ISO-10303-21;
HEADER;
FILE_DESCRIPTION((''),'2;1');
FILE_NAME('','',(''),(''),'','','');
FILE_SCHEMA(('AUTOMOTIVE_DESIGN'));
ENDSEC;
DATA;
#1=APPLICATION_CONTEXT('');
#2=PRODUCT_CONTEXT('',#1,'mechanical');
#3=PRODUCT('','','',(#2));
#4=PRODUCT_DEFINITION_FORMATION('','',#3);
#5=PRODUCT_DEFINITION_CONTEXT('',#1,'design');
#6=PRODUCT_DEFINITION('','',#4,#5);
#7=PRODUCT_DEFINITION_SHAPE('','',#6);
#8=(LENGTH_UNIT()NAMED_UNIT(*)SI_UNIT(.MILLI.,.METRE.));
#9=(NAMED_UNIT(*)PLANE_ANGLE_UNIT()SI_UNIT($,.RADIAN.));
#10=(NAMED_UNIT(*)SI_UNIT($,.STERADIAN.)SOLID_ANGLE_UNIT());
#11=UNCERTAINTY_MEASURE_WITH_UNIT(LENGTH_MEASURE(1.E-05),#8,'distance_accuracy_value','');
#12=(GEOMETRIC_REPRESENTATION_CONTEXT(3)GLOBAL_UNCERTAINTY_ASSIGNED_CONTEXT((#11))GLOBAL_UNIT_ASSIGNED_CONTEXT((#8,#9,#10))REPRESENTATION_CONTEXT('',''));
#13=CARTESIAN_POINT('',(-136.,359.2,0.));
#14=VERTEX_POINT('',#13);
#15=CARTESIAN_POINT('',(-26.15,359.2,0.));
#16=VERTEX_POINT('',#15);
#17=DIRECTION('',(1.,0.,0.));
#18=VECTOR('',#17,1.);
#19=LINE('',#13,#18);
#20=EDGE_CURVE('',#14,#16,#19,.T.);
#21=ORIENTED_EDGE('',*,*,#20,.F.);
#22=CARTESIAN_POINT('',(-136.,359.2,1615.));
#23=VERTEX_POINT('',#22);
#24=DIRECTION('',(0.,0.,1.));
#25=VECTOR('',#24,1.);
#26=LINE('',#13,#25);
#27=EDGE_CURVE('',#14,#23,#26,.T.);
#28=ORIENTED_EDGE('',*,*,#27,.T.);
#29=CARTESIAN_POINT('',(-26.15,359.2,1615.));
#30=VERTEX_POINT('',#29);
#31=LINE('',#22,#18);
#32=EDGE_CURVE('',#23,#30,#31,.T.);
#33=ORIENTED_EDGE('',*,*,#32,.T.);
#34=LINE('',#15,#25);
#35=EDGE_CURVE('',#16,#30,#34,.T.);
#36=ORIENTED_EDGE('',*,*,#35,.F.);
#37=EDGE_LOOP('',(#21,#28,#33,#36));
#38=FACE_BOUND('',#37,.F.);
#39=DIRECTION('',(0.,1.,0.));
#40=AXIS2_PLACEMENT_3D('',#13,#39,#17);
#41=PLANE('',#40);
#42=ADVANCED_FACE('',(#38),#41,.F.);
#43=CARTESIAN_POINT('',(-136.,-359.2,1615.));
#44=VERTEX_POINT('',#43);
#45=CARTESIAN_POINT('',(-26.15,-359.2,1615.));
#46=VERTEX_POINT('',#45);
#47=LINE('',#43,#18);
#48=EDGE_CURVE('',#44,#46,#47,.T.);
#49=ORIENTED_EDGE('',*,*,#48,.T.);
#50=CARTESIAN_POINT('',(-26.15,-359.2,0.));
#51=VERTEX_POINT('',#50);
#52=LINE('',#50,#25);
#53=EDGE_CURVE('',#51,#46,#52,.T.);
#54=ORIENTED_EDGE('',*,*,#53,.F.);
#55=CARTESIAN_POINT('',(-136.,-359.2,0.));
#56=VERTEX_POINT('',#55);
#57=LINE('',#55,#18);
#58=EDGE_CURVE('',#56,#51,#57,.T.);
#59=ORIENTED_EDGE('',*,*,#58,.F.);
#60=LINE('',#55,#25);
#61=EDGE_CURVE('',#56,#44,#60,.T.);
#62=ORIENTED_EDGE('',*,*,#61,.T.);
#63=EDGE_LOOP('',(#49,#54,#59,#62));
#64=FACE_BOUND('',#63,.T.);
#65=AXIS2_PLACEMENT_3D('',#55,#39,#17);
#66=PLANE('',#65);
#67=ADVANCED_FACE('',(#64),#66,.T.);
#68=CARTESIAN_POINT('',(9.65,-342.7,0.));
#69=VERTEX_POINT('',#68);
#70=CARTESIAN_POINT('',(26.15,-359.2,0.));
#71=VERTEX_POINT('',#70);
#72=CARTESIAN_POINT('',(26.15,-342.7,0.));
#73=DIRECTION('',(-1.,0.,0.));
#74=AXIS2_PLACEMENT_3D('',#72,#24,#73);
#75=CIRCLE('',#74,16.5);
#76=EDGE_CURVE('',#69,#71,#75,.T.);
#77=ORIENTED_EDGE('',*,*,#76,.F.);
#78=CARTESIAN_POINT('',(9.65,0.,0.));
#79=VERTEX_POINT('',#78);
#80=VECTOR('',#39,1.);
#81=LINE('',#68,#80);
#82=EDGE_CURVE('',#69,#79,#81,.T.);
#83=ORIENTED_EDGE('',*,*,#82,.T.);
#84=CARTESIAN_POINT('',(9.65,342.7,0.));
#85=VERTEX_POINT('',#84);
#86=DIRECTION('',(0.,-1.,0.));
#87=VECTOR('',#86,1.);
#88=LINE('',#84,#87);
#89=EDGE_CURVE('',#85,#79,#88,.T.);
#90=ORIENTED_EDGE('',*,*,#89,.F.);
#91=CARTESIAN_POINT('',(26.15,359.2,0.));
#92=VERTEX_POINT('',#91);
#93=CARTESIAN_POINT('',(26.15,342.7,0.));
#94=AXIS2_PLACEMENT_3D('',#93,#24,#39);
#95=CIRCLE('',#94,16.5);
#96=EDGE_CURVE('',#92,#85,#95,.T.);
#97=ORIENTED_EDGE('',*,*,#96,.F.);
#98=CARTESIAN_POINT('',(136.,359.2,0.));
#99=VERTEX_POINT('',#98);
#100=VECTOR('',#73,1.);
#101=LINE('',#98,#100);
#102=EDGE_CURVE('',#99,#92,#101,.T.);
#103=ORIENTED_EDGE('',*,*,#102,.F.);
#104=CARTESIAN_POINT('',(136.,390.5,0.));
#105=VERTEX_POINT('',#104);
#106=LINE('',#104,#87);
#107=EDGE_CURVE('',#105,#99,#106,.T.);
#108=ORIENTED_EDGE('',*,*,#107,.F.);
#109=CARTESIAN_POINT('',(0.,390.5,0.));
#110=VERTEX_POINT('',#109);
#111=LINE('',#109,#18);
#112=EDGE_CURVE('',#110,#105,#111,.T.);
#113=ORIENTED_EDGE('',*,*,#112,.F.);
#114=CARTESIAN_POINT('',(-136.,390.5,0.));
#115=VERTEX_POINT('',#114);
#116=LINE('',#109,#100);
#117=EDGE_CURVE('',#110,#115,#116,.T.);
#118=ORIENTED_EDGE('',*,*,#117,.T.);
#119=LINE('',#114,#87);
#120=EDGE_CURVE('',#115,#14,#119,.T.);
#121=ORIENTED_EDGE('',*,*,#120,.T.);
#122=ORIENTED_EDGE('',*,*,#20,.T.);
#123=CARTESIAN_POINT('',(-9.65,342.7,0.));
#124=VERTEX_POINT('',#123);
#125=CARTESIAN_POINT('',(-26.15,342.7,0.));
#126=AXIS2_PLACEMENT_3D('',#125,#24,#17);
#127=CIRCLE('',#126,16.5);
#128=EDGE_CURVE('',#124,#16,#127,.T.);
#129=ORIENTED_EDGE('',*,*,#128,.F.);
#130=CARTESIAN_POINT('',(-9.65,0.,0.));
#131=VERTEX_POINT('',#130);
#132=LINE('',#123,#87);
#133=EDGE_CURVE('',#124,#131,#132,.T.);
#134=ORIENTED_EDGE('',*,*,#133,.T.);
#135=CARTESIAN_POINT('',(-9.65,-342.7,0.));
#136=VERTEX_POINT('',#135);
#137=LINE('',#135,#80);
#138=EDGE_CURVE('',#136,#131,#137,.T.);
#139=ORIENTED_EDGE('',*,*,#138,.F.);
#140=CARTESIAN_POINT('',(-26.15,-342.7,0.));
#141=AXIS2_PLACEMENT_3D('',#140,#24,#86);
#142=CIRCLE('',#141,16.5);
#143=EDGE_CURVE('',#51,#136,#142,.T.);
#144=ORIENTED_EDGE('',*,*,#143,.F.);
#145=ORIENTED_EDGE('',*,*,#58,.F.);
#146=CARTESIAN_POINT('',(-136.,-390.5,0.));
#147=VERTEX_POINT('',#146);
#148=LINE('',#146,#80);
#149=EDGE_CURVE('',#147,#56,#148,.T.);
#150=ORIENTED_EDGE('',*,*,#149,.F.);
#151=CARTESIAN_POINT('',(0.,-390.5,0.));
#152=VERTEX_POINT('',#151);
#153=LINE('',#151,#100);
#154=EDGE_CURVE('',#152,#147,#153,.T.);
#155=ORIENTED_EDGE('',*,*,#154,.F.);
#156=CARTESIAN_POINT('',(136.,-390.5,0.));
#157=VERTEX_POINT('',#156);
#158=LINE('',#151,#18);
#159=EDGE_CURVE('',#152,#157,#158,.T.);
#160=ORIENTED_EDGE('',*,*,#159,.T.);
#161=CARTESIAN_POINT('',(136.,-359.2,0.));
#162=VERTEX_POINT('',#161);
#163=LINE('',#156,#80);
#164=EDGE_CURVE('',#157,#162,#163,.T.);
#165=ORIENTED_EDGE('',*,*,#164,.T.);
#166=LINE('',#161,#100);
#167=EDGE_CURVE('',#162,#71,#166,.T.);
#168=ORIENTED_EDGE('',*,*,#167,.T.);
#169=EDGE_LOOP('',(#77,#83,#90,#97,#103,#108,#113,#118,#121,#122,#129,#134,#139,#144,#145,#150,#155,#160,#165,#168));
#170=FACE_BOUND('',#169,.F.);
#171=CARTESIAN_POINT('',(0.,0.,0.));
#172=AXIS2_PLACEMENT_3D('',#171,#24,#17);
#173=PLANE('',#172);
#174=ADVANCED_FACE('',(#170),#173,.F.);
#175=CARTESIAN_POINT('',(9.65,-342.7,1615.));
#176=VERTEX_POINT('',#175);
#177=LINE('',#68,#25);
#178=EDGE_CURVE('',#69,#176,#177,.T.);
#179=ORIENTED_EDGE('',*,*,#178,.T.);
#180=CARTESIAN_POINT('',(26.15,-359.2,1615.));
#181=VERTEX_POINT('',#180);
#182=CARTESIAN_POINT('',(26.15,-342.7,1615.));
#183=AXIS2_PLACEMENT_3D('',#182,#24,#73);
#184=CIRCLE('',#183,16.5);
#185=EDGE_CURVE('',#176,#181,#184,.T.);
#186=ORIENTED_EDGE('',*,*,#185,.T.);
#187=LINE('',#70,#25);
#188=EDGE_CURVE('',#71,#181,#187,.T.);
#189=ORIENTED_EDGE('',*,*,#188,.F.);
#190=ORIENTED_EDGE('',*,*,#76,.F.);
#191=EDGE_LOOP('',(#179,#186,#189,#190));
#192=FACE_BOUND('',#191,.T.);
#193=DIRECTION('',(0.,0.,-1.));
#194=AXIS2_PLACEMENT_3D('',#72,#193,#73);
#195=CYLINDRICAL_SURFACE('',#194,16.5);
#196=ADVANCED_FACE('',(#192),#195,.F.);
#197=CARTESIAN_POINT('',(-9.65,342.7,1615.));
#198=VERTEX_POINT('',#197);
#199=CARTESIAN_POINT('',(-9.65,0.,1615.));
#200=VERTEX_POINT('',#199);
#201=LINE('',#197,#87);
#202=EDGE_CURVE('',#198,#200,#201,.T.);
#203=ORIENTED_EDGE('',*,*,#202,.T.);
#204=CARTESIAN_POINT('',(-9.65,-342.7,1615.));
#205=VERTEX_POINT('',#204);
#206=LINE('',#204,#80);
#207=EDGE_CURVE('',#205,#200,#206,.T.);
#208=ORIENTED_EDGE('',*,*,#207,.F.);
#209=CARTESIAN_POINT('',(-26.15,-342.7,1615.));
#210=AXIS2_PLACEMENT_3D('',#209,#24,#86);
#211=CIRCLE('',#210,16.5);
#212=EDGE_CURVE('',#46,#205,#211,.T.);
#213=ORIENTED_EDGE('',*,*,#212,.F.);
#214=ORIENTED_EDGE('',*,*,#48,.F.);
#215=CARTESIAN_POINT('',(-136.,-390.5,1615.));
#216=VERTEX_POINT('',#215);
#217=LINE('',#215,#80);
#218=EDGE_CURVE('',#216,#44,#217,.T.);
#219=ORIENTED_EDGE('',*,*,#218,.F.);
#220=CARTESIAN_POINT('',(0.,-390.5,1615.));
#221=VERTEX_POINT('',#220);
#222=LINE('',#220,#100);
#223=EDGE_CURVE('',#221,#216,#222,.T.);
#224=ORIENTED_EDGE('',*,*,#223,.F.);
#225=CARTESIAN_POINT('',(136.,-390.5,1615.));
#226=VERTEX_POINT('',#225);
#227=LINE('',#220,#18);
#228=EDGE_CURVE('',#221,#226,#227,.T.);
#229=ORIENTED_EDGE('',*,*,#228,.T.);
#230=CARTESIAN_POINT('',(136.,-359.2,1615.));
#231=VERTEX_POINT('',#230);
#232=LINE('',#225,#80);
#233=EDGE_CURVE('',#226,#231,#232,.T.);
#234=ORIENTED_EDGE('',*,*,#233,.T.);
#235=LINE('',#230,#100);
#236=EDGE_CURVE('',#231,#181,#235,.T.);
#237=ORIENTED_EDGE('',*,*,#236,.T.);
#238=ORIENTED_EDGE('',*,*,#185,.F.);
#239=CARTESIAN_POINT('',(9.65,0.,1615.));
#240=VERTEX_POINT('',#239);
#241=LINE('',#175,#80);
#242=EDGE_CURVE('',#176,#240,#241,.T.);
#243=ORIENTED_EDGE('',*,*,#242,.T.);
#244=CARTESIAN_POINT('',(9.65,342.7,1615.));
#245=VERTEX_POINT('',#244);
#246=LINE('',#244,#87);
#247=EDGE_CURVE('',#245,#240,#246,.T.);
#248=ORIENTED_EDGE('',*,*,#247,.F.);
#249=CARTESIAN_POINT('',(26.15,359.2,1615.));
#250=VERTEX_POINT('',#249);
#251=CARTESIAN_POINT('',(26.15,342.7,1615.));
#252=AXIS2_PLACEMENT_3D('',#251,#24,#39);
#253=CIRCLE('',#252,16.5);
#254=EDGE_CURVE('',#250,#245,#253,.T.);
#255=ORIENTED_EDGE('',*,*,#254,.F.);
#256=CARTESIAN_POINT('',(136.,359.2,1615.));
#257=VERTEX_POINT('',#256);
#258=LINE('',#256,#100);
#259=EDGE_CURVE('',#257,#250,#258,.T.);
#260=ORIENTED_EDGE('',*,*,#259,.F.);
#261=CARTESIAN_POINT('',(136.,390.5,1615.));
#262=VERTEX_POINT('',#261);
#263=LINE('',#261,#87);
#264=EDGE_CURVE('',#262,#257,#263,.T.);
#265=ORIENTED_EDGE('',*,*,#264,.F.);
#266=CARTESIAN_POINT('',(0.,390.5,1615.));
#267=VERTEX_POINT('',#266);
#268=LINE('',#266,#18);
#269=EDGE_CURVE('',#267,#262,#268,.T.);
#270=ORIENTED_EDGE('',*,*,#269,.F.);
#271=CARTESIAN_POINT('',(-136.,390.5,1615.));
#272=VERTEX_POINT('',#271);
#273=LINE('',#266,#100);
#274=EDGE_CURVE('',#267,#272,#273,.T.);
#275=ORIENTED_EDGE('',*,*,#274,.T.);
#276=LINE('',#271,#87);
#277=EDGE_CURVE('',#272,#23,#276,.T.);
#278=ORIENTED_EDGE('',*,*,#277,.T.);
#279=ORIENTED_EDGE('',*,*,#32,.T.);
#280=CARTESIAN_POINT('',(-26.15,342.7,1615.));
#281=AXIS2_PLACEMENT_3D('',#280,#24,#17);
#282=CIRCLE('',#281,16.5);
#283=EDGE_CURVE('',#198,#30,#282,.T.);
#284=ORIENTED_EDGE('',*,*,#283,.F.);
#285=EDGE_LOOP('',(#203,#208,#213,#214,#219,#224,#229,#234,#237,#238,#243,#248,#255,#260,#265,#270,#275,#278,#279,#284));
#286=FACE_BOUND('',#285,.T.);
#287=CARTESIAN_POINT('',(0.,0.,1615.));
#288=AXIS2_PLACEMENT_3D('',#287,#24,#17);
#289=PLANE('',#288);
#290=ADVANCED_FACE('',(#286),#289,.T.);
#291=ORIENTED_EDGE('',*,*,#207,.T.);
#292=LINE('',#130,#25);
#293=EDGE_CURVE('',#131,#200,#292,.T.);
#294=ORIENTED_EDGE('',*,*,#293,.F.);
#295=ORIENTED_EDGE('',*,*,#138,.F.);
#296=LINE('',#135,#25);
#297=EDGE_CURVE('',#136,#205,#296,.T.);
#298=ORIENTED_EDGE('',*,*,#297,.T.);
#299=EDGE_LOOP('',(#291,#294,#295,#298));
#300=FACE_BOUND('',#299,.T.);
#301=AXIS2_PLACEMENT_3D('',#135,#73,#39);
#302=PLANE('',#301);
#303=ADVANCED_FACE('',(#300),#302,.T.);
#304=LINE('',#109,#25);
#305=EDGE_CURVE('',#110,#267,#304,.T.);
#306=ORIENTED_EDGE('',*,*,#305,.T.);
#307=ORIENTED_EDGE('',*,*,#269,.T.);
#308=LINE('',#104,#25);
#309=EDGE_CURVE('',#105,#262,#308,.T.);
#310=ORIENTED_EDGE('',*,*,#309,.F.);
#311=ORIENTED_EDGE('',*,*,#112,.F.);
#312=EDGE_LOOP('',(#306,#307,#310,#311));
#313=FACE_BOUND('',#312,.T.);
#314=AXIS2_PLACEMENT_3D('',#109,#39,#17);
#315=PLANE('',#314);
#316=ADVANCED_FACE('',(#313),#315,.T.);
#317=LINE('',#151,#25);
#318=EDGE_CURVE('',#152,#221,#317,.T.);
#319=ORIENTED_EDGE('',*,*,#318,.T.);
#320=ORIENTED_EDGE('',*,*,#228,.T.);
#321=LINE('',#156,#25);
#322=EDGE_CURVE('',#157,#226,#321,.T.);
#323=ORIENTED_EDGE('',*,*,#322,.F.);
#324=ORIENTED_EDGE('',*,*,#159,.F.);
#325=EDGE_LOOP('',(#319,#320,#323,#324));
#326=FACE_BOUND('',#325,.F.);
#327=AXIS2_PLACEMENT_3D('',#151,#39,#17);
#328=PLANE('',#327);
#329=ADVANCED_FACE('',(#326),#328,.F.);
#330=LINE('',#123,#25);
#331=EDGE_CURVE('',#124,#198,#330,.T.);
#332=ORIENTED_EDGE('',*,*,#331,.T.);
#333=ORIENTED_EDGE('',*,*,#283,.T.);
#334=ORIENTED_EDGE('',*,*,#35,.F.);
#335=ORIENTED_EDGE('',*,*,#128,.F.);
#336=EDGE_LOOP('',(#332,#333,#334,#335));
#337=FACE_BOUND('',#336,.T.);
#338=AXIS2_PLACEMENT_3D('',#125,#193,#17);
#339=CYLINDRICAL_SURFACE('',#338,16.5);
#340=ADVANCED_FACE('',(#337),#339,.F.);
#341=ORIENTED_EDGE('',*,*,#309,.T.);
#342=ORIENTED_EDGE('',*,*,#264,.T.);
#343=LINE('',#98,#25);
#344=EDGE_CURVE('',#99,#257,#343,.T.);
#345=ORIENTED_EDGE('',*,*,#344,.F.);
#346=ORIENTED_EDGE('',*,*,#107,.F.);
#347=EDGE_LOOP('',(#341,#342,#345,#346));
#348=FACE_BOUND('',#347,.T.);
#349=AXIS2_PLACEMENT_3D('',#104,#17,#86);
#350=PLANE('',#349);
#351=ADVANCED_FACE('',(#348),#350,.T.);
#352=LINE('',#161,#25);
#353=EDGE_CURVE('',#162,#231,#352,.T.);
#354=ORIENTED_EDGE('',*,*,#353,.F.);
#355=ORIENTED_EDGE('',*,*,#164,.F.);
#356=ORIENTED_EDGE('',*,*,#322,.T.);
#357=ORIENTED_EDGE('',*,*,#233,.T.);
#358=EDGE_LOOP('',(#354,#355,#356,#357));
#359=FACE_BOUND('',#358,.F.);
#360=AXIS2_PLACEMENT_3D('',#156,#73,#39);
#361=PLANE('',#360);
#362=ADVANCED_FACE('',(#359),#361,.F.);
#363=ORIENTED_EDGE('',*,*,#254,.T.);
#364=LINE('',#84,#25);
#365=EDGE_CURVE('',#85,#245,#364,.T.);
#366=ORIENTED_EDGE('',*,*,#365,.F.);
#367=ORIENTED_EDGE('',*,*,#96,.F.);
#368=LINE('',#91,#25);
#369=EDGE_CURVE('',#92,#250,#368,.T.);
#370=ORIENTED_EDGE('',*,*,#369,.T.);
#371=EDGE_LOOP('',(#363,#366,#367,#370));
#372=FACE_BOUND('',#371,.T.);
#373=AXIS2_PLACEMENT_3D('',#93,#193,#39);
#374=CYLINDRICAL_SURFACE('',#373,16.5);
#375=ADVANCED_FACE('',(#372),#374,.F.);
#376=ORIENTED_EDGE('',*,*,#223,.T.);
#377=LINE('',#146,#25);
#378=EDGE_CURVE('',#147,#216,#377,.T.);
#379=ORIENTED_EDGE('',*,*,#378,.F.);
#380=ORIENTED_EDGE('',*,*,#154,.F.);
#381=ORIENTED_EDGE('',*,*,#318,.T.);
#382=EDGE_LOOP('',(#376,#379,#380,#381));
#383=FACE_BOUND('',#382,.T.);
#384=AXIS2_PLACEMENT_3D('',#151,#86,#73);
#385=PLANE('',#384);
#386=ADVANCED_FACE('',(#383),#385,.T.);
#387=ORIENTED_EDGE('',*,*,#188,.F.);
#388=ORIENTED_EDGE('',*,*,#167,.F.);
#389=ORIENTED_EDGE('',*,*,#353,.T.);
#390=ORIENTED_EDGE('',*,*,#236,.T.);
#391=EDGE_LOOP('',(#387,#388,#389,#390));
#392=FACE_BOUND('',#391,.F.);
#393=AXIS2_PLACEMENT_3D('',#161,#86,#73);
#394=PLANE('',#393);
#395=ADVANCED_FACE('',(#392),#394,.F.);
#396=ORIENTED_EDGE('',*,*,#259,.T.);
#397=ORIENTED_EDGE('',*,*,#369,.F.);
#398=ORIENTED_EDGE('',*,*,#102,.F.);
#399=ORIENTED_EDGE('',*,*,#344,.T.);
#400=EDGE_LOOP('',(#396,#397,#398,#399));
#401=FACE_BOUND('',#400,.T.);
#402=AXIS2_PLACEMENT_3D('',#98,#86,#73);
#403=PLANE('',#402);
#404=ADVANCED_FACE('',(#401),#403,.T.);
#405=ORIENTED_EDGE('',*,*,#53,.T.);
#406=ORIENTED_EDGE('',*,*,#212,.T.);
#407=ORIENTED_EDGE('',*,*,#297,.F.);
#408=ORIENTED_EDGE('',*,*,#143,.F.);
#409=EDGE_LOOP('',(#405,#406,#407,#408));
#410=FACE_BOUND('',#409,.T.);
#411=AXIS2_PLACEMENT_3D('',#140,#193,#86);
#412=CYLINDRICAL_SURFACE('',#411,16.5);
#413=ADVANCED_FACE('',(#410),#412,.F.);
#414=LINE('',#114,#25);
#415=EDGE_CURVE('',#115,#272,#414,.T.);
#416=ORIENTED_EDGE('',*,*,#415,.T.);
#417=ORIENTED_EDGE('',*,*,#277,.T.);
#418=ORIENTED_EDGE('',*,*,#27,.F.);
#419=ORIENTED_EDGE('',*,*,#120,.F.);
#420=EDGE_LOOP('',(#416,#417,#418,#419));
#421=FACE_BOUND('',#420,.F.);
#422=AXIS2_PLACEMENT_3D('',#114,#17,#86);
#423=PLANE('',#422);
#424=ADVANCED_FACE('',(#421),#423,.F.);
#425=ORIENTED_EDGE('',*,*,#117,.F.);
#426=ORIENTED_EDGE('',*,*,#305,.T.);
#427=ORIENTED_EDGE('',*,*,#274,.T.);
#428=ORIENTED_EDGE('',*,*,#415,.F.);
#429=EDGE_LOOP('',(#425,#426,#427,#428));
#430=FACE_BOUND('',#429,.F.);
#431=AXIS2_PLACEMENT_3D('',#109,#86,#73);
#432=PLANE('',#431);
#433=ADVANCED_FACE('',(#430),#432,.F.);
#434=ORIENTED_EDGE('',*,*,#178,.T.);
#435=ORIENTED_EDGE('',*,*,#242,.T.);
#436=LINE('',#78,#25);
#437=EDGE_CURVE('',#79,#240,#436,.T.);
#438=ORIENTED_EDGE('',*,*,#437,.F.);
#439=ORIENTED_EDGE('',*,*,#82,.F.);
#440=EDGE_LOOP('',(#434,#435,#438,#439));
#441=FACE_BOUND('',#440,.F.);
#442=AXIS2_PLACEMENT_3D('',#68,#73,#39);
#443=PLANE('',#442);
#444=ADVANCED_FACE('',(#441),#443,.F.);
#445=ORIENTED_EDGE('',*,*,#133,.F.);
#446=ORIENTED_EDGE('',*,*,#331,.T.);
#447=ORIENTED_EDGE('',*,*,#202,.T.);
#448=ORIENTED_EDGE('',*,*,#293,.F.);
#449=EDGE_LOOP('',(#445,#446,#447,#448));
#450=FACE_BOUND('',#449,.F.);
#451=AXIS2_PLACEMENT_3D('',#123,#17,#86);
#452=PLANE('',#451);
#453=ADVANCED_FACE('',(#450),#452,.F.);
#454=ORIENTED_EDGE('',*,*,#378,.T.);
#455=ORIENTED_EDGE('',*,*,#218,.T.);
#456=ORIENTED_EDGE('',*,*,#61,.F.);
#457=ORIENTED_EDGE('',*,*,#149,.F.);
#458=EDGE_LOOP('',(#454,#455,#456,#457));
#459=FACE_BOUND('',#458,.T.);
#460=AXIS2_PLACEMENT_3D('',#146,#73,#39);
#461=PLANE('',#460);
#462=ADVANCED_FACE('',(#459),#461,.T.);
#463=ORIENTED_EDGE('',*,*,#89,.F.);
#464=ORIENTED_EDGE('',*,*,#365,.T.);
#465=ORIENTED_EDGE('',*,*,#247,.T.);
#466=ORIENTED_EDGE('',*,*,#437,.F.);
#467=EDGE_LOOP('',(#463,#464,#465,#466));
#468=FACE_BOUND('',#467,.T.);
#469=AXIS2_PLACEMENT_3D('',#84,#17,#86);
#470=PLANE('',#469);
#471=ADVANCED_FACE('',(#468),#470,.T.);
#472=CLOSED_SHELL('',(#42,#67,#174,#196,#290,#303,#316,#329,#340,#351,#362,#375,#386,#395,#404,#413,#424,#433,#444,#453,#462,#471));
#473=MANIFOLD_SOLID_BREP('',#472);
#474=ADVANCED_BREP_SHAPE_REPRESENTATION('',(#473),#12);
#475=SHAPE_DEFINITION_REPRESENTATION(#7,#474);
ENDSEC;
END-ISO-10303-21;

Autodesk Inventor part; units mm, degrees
ref_plane "YZ Plane" through (0, 0, 0) normal (1, 0, 0) x (0, 1, 0)
ref_plane "Start plane" through (0, 0, 0) normal (0, 0, 1) x (1, 0, 0)
ref_plane "End plane" through (0, 0, 1615) normal (0, 0, 1) x (1, 0, 0)
sketch "Sketch" plane through (0, 0, 0) normal (0, 0, 1) x (1, 0, 0)
  line L0 (-136, -390.5) -> (-136, -359.2)
  line L1 (-136, -359.2) -> (-26.15, -359.2)
  line L2 (-9.65, -342.7) -> (-9.65, 0)
  line L3 (-9.65, 0) -> (0, 0) construction
  line L4 (0, 0) -> (0, -390.5) construction
  line L5 (0, -390.5) -> (-136, -390.5)
  line L6 (-60, 0) -> (80, 0) construction
  line L7 (0, -60) -> (0, 80) construction
  line L8 (136, -390.5) -> (136, -359.2)
  line L9 (136, -359.2) -> (26.15, -359.2)
  line L10 (9.65, -342.7) -> (9.65, 0)
  line L11 (9.65, 0) -> (0, 0) construction
  line L12 (0, -390.5) -> (136, -390.5)
  line L13 (-136, 390.5) -> (-136, 359.2)
  line L14 (-136, 359.2) -> (-26.15, 359.2)
  line L15 (-9.65, 342.7) -> (-9.65, 0)
  line L16 (0, 390.5) -> (-136, 390.5)
  line L17 (136, 390.5) -> (136, 359.2)
  line L18 (136, 359.2) -> (26.15, 359.2)
  line L19 (0, 390.5) -> (136, 390.5)
  line L20 (9.65, 342.7) -> (9.65, 0)
  arc A0 (-9.65, 342.7) -> (-26.15, 359.2) centre (-26.15, 342.7) ccw
  arc A1 (26.15, 359.2) -> (9.65, 342.7) centre (26.15, 342.7) ccw
  arc A2 (9.65, -342.7) -> (26.15, -359.2) centre (26.15, -342.7) ccw
  arc A3 (-26.15, -359.2) -> (-9.65, -342.7) centre (-26.15, -342.7) ccw
  line L21 (0, 108) -> (0, -88) construction
  line L22 (-88, 0) -> (108, 0) construction
  point P0 (-9.65, -359.2)
  point P1 (9.65, -359.2)
  point P2 (-9.65, 359.2)
  point P3 (9.65, 359.2)
  dimension "d1" = 390.5
  dimension "d2" = 31.3
  dimension "d3" = 136
  dimension "d4" = 9.65
  dimension "d10" = 16.5
extrude "Body" add sketch "Sketch" along normal up to surface (1615 mm away) from surface at 0
sketch "Sketch4" plane through (0, 0, 0) normal (0, 0, 1) x (1, 0, 0)
  line L0 (0, 0) -> (10, 0)
ref_plane "Work Plane3" through (0, 0, 0) normal (0, -1, 0) x (1, 0, 0)
sketch "Sketch5" plane through (0, 0, 0) normal (0, -1, 0) x (1, 0, 0)
  line L0 (-2, 0) -> (12, 0) projected
  line L1 (-2, 1615) -> (12, 1615) projected
  dimension "d14" = 1615
equation "\"d1\" = 0.5 * G_H"
equation "\"d2\" = G_T1"
equation "\"d3\" = 0.5 * G_W"
equation "\"d4\" = 0.5 * G_T"
equation "\"d10\" = G_IR"
equation "\"d5\" = G_L"
equation "\"G_W\" = 272"
equation "\"G_H\" = 781"
equation "\"G_T\" = 19.3"
equation "\"G_T1\" = 31.3"
equation "\"G_IR\" = 16.5"
equation "\"G_L\" = d14"
equation "\"G_OFFSET_START\" = 0"
equation "\"G_OFFSET_END\" = 0"
equation "\"d12\" = G_OFFSET_END + B_L"
equation "\"B_L\" = 1615"
properties part number "AS 3679-1990 - 760 UB - 244 - 1615" material "Steel, Mild"
